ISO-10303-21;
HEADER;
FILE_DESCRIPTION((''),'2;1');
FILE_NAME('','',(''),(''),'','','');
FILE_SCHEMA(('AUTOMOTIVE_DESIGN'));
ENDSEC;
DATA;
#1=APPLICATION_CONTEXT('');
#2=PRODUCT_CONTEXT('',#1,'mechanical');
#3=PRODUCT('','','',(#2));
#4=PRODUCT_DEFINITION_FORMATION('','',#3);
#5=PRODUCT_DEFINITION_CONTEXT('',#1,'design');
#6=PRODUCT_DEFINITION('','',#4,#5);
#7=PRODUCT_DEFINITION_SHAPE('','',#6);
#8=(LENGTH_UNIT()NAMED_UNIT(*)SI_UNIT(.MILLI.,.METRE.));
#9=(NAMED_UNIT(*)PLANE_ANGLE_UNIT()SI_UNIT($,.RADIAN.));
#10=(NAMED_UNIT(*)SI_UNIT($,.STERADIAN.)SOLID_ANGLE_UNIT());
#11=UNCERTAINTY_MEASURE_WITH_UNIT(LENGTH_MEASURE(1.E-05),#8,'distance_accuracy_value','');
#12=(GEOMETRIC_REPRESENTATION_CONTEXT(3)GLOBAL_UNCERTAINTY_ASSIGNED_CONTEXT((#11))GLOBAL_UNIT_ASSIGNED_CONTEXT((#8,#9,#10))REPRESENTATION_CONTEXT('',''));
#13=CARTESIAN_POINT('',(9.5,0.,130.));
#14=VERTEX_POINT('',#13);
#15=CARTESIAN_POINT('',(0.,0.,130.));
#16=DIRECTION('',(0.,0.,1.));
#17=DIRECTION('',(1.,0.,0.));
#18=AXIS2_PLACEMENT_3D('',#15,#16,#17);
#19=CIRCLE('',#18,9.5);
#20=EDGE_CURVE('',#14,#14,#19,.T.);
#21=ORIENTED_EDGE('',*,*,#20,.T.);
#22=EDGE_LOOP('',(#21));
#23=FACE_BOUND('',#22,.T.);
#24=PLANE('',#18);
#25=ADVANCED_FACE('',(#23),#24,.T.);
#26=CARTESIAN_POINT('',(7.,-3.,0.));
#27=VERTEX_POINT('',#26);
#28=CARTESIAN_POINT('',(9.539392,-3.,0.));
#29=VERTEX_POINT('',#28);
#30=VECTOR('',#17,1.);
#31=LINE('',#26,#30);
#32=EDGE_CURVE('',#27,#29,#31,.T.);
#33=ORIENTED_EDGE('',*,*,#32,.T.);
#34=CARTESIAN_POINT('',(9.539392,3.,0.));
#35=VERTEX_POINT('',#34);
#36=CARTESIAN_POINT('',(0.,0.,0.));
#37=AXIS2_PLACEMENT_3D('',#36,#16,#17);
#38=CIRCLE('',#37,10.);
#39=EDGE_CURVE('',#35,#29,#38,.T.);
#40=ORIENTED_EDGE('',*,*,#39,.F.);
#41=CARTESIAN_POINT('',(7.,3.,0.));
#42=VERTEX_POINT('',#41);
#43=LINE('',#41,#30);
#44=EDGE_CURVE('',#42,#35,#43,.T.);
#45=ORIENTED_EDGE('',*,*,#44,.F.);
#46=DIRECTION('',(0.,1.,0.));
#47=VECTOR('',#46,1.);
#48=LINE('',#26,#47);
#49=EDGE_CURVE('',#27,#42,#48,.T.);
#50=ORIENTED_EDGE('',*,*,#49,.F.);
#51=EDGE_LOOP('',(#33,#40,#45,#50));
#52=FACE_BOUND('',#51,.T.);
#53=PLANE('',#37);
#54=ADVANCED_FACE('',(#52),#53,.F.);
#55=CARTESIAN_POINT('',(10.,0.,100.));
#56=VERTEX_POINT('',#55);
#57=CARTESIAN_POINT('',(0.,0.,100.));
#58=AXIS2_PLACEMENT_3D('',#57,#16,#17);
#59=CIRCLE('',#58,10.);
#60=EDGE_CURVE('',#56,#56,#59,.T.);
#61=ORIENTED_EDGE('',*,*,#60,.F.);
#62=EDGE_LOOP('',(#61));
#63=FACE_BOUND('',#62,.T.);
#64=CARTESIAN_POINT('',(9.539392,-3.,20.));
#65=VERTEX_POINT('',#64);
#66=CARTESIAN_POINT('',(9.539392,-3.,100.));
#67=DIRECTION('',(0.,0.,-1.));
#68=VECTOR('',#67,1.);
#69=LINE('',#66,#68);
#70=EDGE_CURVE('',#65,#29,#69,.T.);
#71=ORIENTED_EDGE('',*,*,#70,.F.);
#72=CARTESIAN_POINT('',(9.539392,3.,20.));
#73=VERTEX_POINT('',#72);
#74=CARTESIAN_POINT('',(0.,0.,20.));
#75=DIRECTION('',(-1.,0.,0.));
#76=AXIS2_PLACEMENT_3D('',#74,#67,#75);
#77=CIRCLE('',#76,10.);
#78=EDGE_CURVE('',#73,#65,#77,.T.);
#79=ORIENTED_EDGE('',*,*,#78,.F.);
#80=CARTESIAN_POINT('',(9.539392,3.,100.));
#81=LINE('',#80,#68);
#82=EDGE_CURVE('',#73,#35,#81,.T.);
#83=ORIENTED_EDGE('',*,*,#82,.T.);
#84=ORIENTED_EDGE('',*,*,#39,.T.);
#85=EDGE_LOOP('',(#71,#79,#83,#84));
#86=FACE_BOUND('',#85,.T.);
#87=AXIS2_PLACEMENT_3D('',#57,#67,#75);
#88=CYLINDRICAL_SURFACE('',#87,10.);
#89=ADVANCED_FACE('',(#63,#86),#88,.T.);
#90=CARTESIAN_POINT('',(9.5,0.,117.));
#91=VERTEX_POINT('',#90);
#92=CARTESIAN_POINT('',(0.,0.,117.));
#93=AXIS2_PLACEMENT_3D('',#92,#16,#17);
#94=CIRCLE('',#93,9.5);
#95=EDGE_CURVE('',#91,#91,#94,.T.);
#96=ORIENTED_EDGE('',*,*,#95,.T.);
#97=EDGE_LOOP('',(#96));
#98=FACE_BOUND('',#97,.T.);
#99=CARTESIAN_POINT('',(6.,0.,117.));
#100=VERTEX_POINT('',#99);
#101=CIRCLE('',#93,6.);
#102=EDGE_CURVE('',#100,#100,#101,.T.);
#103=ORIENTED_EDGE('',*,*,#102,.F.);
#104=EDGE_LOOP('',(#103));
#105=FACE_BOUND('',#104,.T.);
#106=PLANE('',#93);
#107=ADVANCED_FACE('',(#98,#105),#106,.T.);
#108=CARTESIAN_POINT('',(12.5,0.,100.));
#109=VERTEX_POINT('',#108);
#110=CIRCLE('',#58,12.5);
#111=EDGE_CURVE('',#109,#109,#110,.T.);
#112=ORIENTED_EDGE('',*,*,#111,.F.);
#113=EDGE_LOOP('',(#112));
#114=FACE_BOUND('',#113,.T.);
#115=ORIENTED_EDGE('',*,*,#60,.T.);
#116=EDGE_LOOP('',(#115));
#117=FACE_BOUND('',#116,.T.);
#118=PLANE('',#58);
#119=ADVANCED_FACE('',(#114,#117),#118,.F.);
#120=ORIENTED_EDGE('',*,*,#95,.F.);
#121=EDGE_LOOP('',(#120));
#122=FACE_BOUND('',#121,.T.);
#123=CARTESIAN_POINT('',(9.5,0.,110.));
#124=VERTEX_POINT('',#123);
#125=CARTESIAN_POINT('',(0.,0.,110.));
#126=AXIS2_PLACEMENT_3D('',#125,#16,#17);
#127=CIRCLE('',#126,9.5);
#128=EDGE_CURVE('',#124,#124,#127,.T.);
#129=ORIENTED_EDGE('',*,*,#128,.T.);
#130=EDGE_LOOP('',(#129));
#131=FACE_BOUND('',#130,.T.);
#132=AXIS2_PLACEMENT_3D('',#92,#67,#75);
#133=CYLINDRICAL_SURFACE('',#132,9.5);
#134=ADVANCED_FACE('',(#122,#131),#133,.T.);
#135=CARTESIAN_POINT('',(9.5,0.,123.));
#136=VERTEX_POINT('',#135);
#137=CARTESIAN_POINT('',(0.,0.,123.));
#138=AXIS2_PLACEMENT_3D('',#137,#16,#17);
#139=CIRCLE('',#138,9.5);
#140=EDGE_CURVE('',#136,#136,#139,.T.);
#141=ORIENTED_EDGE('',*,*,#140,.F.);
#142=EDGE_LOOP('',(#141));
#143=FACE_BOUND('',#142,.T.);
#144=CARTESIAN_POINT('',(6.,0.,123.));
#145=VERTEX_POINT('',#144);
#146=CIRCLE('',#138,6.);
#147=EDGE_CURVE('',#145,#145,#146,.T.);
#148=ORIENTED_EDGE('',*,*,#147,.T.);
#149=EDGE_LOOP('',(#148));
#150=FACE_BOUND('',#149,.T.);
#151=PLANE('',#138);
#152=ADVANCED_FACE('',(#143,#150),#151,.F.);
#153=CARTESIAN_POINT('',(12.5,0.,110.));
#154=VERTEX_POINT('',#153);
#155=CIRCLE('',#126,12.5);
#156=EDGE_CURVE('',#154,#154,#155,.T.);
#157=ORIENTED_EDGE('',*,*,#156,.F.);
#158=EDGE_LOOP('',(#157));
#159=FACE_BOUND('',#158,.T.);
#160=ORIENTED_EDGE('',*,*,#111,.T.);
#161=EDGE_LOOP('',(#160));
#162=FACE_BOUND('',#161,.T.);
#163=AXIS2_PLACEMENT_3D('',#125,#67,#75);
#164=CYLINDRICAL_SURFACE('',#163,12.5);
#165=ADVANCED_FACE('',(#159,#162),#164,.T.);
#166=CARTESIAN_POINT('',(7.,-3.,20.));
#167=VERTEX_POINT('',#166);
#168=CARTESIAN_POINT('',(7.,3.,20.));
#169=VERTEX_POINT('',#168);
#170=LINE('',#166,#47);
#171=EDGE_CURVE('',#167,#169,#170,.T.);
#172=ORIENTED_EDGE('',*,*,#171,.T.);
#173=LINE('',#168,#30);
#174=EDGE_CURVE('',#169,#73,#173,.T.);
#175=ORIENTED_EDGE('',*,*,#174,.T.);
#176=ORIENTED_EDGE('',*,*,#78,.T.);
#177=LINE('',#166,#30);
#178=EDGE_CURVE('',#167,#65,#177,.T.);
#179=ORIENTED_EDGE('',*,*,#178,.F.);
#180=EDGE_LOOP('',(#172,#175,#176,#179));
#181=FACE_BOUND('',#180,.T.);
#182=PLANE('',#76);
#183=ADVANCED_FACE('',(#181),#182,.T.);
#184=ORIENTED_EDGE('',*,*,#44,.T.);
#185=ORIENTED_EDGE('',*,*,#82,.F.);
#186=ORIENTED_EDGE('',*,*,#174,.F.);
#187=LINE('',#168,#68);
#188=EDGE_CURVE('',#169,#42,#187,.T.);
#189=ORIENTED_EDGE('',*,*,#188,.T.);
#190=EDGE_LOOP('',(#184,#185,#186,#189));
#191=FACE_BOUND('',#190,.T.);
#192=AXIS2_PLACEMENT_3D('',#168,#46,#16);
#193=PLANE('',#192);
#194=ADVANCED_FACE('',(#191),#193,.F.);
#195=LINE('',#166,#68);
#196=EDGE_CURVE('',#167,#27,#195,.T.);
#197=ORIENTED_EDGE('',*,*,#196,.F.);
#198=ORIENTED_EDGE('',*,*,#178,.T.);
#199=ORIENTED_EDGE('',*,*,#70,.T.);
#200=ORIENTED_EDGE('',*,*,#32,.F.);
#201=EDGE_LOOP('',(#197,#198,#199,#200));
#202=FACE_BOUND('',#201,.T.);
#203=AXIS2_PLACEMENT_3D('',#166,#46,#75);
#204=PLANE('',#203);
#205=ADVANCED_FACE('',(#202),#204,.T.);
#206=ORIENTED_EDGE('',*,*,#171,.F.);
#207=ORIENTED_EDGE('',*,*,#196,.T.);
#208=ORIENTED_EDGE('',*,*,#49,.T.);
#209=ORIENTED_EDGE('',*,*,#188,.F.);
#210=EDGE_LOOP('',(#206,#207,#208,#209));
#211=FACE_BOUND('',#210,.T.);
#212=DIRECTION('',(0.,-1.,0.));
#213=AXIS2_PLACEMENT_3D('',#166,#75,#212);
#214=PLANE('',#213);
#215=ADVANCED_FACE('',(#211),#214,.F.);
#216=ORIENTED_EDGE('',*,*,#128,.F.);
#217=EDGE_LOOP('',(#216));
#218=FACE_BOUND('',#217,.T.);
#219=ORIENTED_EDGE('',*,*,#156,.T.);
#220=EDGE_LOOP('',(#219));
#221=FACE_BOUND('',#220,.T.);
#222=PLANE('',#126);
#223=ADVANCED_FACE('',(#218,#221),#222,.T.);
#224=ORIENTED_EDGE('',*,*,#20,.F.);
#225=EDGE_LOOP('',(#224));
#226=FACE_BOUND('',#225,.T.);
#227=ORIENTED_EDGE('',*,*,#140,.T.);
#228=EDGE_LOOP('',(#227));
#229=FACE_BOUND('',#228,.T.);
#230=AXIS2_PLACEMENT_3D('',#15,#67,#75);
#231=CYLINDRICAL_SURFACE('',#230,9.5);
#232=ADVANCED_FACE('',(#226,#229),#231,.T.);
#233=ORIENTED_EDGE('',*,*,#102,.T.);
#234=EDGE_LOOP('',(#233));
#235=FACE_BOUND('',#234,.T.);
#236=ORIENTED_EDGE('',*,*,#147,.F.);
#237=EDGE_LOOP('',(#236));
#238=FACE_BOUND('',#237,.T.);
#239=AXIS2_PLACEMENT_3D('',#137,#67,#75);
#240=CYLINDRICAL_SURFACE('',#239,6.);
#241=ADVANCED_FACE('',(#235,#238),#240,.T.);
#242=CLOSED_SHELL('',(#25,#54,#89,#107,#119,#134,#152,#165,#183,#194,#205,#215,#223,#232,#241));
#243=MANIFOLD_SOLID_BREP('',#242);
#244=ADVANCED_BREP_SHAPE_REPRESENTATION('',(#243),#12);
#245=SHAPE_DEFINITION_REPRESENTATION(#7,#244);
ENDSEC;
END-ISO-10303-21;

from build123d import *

# Parameters (mm, degrees)
SKETCH1_R           = 10
BOSS_EXTRUDE1_DEPTH = 100
SKETCH2_R           = 12.5
BOSS_EXTRUDE2_DEPTH = 10
SKETCH3_R           = 9.5
BOSS_EXTRUDE3_DEPTH = 7
SKETCH4_R           = 6
BOSS_EXTRUDE4_DEPTH = 6
SKETCH5_R           = 9.5
BOSS_EXTRUDE5_DEPTH = 7
SKETCH6_W           = 5
SKETCH6_H           = 6
CUT_EXTRUDE1_DEPTH  = 20


with BuildPart() as part:
    # Sketch1 → Boss-Extrude1 (new body)
    with BuildSketch(Plane.XY):
        Circle(SKETCH1_R)
    extrude(amount=BOSS_EXTRUDE1_DEPTH)

    # Sketch2 → Boss-Extrude2 (add)
    with BuildSketch(Plane.XY.offset(100)):
        Circle(SKETCH2_R)
    extrude(amount=BOSS_EXTRUDE2_DEPTH)

    # Sketch3 → Boss-Extrude3 (add)
    with BuildSketch(Plane.XY.offset(110)):
        Circle(SKETCH3_R)
    extrude(amount=BOSS_EXTRUDE3_DEPTH)

    # Sketch4 → Boss-Extrude4 (add)
    with BuildSketch(Plane.XY.offset(117)):
        Circle(SKETCH4_R)
    extrude(amount=BOSS_EXTRUDE4_DEPTH)

    # Sketch5 → Boss-Extrude5 (add)
    with BuildSketch(Plane.XY.offset(123)):
        Circle(SKETCH5_R)
    extrude(amount=BOSS_EXTRUDE5_DEPTH)

    # Sketch6 → Cut-Extrude1 (cut)
    with BuildSketch(Plane(origin=(0, 0, 0), x_dir=(-1, 0, 0), z_dir=(0, 0, -1))):
        with Locations((-9.5, 0)):
            Rectangle(SKETCH6_W, SKETCH6_H)
    extrude(amount=-CUT_EXTRUDE1_DEPTH, mode=Mode.SUBTRACT)


solid = part.part
